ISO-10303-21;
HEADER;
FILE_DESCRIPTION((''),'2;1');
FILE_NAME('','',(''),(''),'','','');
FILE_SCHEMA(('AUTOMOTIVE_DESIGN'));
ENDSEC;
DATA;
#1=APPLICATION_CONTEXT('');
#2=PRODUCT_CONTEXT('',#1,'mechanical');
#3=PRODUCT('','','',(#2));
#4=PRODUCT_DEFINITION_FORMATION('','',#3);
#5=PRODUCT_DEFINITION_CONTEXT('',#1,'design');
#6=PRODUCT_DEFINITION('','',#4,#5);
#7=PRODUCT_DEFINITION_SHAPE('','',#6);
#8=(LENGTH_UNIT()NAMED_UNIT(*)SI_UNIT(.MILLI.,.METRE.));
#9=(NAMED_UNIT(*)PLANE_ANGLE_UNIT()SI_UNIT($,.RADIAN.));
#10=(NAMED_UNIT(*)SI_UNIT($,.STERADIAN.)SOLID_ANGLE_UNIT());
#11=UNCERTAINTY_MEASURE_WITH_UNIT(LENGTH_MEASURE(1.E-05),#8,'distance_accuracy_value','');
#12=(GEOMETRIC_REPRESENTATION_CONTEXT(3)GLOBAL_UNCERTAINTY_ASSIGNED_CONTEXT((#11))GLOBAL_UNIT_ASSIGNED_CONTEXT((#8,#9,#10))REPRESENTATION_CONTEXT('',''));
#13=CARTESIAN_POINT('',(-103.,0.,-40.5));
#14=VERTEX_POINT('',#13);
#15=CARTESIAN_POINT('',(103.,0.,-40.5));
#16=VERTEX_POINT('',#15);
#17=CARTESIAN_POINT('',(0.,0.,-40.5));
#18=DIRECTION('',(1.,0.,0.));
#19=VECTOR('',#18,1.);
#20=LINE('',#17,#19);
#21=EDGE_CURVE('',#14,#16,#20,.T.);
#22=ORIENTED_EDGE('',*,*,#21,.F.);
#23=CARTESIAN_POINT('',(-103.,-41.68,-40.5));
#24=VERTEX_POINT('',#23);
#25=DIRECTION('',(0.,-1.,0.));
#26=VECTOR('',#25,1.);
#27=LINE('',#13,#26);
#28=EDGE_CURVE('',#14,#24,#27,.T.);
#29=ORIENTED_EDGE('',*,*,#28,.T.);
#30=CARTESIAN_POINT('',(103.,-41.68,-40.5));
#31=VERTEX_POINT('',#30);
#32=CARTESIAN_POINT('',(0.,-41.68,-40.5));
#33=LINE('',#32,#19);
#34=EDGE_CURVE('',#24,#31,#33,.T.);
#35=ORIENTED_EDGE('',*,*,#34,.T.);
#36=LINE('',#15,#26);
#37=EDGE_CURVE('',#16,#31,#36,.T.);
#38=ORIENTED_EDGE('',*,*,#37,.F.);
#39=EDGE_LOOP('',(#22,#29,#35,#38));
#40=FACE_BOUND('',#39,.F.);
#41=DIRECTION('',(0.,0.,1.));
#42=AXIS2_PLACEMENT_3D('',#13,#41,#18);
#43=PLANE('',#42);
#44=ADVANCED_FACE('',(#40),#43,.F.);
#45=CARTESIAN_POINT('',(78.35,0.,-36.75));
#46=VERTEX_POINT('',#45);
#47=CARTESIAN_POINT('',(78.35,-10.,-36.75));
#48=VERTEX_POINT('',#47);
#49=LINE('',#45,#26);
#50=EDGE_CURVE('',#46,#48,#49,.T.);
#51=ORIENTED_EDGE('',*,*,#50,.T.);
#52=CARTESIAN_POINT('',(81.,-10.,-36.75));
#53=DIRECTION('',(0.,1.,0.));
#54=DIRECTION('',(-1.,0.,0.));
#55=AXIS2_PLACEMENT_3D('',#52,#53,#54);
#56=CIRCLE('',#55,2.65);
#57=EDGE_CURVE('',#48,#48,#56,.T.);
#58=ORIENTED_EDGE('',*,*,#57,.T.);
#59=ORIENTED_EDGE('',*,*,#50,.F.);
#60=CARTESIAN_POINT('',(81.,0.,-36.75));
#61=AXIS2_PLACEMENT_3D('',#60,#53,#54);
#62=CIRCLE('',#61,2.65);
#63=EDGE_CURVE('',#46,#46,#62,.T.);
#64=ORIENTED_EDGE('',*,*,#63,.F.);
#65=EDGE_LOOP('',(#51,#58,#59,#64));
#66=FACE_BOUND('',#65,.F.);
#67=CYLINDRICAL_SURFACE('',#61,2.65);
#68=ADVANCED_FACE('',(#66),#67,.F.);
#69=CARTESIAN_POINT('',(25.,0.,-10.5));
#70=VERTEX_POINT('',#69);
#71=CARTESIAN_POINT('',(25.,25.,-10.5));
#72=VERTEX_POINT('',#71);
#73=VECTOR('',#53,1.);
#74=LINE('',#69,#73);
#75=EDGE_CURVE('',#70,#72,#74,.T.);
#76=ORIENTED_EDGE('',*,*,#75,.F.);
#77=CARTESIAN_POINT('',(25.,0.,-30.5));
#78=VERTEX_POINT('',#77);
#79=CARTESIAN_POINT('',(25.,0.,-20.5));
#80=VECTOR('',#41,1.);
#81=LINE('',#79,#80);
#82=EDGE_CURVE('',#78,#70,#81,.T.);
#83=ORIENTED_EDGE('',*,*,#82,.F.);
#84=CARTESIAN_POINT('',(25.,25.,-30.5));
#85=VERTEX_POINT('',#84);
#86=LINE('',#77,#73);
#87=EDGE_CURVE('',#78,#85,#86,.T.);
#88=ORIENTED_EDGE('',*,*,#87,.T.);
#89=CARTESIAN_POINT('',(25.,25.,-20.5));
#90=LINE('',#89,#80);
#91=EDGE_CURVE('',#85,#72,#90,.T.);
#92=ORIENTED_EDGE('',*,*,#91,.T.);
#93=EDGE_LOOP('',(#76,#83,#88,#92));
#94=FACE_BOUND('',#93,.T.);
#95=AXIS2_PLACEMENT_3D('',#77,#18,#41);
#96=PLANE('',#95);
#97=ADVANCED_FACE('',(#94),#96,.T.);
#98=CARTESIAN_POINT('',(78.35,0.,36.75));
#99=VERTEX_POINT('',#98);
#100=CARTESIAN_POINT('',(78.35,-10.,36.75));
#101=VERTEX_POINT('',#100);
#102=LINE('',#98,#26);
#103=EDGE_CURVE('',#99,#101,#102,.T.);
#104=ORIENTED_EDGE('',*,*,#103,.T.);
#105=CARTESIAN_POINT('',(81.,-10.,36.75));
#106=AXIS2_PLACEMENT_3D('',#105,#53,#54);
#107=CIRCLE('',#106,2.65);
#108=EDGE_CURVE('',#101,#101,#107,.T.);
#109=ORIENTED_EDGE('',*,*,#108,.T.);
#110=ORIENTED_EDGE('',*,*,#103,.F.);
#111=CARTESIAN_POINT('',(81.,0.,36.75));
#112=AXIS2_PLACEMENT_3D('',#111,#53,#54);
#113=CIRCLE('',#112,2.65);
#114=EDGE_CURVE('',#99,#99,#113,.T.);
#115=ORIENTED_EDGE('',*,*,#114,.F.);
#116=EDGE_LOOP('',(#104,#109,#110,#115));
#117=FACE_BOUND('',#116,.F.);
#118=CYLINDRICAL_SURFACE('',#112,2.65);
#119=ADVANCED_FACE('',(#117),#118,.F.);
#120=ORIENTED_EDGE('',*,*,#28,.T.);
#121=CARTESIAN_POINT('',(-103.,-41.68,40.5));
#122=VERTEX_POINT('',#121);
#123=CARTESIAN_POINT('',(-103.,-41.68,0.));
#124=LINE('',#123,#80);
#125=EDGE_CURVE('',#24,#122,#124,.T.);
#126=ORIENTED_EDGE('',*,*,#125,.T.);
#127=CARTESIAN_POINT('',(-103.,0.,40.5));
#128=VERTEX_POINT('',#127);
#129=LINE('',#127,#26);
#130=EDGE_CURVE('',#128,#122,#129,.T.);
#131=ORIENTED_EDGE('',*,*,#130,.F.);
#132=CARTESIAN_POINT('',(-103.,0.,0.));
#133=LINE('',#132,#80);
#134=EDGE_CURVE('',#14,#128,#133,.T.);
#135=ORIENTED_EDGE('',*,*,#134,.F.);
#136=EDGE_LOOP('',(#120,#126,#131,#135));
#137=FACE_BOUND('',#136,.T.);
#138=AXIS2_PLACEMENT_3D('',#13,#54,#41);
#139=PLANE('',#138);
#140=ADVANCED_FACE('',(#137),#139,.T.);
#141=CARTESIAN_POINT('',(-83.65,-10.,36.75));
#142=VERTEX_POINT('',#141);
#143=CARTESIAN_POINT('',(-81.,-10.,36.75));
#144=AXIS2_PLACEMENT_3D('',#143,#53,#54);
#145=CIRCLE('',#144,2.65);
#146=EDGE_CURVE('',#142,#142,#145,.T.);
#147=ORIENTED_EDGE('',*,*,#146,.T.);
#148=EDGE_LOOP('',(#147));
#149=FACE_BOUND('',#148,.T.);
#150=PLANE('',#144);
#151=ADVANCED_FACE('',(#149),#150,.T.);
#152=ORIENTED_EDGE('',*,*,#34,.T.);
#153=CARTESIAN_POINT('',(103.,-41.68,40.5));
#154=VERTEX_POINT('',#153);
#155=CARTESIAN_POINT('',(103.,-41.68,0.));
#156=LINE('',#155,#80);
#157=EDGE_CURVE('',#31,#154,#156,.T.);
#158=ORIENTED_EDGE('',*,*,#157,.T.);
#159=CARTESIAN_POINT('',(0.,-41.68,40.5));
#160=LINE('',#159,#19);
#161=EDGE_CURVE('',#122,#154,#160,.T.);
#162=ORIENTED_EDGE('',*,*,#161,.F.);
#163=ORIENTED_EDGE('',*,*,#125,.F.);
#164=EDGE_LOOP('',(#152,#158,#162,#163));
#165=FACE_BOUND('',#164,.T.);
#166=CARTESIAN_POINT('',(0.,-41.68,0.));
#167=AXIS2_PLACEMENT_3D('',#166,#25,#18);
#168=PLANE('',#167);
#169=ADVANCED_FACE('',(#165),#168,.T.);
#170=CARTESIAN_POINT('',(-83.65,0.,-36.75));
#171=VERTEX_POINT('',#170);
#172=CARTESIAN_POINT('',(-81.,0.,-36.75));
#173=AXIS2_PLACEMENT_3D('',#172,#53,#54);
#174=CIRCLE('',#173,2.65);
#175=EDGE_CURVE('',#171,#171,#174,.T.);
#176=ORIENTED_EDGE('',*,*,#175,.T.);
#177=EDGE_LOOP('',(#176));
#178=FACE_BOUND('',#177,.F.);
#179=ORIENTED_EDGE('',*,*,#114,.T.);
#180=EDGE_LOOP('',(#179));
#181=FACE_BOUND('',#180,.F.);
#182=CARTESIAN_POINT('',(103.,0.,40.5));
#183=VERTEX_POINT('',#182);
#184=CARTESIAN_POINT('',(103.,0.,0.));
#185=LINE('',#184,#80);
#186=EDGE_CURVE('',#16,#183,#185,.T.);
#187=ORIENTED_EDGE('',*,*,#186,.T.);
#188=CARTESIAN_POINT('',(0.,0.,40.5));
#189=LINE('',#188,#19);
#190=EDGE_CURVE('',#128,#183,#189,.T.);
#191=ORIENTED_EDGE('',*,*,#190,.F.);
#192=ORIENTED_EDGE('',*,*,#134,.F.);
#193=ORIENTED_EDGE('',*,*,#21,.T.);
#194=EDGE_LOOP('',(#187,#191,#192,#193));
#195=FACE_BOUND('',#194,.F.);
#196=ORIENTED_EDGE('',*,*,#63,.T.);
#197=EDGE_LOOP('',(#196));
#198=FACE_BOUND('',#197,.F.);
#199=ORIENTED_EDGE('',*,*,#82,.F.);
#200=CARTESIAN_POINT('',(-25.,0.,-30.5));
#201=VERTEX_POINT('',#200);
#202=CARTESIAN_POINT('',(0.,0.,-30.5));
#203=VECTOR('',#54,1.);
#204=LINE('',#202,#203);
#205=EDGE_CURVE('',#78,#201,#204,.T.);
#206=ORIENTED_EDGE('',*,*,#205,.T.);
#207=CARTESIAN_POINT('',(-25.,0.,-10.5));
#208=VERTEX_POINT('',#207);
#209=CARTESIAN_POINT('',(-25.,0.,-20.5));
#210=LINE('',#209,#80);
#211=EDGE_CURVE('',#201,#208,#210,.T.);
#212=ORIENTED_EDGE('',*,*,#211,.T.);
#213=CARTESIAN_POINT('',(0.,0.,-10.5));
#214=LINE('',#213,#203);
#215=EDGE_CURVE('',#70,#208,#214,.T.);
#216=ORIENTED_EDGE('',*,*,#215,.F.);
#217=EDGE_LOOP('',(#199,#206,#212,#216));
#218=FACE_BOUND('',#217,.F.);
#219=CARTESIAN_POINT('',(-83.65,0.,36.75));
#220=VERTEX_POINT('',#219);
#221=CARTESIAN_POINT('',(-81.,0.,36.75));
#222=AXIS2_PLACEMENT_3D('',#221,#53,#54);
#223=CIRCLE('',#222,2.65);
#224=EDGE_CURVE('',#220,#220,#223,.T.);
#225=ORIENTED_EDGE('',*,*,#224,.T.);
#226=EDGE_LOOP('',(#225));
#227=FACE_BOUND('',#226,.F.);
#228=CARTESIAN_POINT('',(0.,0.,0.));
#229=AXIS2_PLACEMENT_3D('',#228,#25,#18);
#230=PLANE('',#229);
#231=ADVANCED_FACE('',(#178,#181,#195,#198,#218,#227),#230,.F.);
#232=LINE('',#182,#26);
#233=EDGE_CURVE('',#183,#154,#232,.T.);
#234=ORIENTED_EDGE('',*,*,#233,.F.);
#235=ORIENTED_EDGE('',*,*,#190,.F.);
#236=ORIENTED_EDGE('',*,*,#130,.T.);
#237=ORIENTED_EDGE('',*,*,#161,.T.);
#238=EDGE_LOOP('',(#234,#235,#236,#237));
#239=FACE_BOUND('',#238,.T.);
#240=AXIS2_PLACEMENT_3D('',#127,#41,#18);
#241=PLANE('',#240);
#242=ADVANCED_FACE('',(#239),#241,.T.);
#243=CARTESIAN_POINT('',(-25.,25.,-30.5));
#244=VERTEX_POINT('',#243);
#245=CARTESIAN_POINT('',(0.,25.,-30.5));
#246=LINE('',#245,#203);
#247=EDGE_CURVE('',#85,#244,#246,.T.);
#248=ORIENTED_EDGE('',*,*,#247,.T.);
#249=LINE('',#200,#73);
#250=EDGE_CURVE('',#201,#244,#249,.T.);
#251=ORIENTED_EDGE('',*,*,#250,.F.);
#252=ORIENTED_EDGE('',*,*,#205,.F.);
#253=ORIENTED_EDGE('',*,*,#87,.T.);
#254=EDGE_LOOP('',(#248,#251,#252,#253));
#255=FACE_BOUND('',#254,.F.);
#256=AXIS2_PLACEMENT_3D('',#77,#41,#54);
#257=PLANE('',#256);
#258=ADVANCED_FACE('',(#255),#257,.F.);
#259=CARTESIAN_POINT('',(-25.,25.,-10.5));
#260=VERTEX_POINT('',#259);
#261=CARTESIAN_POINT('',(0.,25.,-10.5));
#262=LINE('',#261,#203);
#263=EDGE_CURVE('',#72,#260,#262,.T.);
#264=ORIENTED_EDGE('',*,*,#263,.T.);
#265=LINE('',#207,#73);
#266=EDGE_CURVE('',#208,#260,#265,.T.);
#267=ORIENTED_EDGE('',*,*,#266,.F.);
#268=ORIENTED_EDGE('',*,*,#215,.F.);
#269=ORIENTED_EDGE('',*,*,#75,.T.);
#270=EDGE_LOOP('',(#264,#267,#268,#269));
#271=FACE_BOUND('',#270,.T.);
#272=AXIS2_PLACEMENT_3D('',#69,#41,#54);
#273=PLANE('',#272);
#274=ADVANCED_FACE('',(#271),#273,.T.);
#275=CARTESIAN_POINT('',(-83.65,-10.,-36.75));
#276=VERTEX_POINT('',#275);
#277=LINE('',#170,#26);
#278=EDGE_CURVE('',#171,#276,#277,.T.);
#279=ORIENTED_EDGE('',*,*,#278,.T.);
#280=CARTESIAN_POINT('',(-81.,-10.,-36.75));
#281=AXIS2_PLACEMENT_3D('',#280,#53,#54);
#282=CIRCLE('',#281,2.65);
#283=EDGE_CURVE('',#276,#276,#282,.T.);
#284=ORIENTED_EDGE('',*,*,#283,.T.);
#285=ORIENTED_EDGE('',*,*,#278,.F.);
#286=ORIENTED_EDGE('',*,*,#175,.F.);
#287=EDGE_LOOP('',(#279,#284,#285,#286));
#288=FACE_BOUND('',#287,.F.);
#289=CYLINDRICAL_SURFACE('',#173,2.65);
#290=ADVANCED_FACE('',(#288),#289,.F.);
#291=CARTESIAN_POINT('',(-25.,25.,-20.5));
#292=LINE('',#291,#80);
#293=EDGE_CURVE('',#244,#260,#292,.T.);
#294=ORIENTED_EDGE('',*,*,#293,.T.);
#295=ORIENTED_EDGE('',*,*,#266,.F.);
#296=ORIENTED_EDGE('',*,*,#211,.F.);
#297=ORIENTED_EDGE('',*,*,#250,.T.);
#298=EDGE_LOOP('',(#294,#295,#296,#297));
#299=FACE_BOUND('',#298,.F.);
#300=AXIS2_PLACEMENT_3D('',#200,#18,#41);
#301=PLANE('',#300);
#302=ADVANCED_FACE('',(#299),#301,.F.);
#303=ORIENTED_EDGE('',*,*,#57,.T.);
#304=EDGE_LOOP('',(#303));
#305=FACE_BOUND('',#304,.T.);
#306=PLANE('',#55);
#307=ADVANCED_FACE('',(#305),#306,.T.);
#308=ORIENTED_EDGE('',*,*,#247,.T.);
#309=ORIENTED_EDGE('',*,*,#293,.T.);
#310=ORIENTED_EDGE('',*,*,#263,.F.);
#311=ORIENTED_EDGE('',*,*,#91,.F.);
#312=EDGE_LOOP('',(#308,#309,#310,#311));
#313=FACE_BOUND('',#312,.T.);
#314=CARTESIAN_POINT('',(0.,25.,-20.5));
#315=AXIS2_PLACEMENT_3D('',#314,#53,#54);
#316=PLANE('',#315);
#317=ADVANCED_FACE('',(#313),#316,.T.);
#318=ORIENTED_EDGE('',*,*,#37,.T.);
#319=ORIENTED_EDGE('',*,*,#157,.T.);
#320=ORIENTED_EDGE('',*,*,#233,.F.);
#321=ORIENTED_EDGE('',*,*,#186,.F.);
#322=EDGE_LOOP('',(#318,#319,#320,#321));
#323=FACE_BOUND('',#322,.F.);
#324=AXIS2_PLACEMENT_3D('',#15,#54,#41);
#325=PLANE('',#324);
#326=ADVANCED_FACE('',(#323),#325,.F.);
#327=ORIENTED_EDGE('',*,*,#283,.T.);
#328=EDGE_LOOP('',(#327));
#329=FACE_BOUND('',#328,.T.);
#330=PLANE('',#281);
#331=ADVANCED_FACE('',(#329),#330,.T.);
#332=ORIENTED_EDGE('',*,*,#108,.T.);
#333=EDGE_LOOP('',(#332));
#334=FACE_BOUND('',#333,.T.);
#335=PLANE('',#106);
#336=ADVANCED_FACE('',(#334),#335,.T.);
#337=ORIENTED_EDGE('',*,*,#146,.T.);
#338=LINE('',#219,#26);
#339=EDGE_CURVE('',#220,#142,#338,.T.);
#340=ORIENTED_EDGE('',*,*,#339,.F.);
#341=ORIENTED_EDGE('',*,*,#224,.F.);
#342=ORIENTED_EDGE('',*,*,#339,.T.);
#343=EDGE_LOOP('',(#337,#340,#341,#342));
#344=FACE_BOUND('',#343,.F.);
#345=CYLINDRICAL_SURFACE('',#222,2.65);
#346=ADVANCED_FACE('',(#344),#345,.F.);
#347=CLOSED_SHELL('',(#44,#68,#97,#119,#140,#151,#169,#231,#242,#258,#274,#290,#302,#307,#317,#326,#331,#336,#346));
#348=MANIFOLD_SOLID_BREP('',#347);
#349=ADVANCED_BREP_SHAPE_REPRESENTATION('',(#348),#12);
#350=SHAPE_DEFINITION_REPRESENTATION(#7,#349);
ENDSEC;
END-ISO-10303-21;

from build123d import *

# Parameters (mm, degrees)
F0_W     = 206
F0_H     = 81
F1_DEPTH = 41.68
F2_R     = 2.65
F3_DEPTH = 10
F4_W     = 50
F4_H     = 20
F5_DEPTH = 25


with BuildPart() as f1:
    # F0 (on Front) → F1 (new body)
    with BuildSketch(Plane.XZ):
        Rectangle(F0_W, F0_H)
    extrude(amount=F1_DEPTH)

    # F2 (on face) → F3 (cut)
    with BuildSketch(Plane(origin=(0, 0, 0), x_dir=(-1, 0, 0), z_dir=(0, 1, 0))):
        with Locations((-81, 36.75)):
            Circle(F2_R)
        with Locations((-81, -36.75)):
            Circle(F2_R)
        with Locations((81, -36.75)):
            Circle(F2_R)
        with Locations((81, 36.75)):
            Circle(F2_R)
    extrude(amount=-F3_DEPTH, mode=Mode.SUBTRACT)

    # F4 (on face) → F5 (join)
    with BuildSketch(Plane(origin=(0, 0, 0), x_dir=(-1, 0, 0), z_dir=(0, 1, 0))):
        with Locations((0, -20.5)):
            Rectangle(F4_W, F4_H)
    extrude(amount=F5_DEPTH)


solid = f1.part
